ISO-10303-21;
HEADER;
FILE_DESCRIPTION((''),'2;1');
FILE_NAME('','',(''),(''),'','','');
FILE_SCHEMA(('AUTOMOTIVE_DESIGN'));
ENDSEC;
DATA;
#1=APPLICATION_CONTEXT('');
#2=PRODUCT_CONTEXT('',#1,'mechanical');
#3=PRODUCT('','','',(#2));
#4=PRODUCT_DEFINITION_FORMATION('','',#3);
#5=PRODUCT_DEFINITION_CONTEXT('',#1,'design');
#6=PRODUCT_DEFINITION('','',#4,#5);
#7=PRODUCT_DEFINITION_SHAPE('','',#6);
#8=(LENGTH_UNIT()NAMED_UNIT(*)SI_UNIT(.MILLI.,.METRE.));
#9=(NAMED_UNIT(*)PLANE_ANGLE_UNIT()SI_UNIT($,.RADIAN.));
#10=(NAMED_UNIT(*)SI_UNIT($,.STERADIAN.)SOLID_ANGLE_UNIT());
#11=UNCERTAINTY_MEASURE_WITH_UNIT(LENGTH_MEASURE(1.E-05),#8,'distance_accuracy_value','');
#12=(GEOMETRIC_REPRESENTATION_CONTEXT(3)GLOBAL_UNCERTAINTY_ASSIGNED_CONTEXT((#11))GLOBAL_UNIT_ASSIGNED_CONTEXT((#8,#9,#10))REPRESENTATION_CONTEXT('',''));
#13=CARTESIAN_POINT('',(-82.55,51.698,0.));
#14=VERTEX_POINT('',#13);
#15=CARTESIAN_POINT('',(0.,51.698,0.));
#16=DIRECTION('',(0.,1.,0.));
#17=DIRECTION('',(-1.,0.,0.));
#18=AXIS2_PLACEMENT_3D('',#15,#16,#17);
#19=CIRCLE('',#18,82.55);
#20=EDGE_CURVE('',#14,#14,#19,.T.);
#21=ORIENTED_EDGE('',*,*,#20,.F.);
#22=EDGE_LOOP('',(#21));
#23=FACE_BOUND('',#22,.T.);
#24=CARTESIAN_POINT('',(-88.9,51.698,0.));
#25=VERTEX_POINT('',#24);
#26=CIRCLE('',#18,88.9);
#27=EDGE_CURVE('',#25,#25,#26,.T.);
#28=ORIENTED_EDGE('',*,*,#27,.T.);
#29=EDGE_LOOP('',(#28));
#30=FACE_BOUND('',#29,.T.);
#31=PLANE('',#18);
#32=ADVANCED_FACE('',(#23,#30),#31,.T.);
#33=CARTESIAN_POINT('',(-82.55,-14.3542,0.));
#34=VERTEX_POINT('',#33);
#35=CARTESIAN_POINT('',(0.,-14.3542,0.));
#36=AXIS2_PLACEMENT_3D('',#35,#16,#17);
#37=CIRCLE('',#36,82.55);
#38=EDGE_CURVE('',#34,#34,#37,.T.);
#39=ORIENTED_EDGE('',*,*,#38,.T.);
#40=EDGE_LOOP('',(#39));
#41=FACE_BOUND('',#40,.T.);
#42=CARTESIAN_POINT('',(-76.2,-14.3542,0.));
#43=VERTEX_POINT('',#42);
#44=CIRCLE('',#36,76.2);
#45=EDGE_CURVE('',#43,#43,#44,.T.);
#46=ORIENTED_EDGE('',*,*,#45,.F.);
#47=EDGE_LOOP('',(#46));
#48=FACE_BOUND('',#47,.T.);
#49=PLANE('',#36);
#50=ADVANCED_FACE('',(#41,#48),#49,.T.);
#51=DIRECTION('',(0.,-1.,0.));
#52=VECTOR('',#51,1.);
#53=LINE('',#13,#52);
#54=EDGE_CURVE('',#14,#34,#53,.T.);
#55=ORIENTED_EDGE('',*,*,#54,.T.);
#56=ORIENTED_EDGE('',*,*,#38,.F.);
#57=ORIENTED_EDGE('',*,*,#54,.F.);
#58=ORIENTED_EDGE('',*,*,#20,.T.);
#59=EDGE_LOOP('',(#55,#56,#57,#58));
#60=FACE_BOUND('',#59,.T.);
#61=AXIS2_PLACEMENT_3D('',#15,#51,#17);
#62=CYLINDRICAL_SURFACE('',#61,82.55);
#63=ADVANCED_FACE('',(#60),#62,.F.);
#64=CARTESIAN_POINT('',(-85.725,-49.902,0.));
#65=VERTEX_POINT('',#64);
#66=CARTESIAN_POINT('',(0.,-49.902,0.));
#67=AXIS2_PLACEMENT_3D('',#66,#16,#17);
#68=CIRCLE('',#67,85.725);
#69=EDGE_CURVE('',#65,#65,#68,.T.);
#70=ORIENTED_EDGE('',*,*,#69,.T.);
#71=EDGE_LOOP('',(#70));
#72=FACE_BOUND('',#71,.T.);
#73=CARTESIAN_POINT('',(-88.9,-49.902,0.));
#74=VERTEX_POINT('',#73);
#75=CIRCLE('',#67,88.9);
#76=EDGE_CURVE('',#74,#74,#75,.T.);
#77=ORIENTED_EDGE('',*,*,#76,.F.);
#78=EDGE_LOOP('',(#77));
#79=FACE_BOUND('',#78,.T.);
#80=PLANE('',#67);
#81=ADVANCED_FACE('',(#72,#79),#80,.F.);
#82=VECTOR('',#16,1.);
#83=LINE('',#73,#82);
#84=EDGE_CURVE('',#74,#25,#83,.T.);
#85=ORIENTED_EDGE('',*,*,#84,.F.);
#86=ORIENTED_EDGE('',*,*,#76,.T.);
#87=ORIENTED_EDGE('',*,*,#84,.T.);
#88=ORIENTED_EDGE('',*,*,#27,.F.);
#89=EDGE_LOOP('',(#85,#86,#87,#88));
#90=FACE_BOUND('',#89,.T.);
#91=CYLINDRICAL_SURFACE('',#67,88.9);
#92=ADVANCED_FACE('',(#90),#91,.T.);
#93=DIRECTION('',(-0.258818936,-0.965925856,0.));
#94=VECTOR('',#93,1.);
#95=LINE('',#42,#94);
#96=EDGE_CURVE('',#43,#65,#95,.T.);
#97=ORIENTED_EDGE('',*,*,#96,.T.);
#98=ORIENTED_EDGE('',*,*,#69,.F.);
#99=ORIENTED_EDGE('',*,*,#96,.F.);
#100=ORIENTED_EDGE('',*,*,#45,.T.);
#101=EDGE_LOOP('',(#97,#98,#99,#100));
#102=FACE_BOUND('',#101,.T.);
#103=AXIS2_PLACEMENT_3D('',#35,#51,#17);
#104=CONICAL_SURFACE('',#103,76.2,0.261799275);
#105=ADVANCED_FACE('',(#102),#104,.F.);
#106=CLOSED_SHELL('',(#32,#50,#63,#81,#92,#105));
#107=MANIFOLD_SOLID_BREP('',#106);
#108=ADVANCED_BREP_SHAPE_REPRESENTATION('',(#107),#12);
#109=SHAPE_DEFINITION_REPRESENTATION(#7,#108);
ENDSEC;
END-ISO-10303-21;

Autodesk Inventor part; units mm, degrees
ref_plane "YZ Plane" through (0, 0, 0) normal (1, 0, 0) x (0, 1, 0)
ref_plane "XZ Plane" through (0, 0, 0) normal (0, 1, 0) x (-1, 0, 0)
ref_plane "XY Plane" through (0, 0, 0) normal (0, 0, 1) x (1, 0, 0)
sketch "Sketch1" plane through (0, 0, 0) normal (0, 0, 1) x (1, 0, 0)
  line L0 (-82.55, 51.698) -> (-82.55, -14.3542)
  line L1 (-82.55, -14.3542) -> (-76.2, -14.3542)
  line L2 (-76.2, -14.3542) -> (-85.725, -49.902)
  line L3 (-85.725, -49.902) -> (-88.9, -49.902)
  line L4 (-88.9, -49.902) -> (-88.9, 51.698)
  line L5 (-88.9, 51.698) -> (-82.55, 51.698)
  line L6 (0, -70.222) -> (0, 72.018) projected
  point P0 (0, 0)
  dimension "d0" = 6.35
  dimension "d1" = 3.175
  dimension "d2" = 105
  dimension "d3" = 76.2
  dimension "d4" = 6.35
  dimension "d6" = 101.6
revolve "Revolution1" add sketch "Sketch1" angle 360 about axis through (0, -10, 0) along (0, 1, 0)
properties part number "Skirt Master Sketch" material "Aluminum 6061"
